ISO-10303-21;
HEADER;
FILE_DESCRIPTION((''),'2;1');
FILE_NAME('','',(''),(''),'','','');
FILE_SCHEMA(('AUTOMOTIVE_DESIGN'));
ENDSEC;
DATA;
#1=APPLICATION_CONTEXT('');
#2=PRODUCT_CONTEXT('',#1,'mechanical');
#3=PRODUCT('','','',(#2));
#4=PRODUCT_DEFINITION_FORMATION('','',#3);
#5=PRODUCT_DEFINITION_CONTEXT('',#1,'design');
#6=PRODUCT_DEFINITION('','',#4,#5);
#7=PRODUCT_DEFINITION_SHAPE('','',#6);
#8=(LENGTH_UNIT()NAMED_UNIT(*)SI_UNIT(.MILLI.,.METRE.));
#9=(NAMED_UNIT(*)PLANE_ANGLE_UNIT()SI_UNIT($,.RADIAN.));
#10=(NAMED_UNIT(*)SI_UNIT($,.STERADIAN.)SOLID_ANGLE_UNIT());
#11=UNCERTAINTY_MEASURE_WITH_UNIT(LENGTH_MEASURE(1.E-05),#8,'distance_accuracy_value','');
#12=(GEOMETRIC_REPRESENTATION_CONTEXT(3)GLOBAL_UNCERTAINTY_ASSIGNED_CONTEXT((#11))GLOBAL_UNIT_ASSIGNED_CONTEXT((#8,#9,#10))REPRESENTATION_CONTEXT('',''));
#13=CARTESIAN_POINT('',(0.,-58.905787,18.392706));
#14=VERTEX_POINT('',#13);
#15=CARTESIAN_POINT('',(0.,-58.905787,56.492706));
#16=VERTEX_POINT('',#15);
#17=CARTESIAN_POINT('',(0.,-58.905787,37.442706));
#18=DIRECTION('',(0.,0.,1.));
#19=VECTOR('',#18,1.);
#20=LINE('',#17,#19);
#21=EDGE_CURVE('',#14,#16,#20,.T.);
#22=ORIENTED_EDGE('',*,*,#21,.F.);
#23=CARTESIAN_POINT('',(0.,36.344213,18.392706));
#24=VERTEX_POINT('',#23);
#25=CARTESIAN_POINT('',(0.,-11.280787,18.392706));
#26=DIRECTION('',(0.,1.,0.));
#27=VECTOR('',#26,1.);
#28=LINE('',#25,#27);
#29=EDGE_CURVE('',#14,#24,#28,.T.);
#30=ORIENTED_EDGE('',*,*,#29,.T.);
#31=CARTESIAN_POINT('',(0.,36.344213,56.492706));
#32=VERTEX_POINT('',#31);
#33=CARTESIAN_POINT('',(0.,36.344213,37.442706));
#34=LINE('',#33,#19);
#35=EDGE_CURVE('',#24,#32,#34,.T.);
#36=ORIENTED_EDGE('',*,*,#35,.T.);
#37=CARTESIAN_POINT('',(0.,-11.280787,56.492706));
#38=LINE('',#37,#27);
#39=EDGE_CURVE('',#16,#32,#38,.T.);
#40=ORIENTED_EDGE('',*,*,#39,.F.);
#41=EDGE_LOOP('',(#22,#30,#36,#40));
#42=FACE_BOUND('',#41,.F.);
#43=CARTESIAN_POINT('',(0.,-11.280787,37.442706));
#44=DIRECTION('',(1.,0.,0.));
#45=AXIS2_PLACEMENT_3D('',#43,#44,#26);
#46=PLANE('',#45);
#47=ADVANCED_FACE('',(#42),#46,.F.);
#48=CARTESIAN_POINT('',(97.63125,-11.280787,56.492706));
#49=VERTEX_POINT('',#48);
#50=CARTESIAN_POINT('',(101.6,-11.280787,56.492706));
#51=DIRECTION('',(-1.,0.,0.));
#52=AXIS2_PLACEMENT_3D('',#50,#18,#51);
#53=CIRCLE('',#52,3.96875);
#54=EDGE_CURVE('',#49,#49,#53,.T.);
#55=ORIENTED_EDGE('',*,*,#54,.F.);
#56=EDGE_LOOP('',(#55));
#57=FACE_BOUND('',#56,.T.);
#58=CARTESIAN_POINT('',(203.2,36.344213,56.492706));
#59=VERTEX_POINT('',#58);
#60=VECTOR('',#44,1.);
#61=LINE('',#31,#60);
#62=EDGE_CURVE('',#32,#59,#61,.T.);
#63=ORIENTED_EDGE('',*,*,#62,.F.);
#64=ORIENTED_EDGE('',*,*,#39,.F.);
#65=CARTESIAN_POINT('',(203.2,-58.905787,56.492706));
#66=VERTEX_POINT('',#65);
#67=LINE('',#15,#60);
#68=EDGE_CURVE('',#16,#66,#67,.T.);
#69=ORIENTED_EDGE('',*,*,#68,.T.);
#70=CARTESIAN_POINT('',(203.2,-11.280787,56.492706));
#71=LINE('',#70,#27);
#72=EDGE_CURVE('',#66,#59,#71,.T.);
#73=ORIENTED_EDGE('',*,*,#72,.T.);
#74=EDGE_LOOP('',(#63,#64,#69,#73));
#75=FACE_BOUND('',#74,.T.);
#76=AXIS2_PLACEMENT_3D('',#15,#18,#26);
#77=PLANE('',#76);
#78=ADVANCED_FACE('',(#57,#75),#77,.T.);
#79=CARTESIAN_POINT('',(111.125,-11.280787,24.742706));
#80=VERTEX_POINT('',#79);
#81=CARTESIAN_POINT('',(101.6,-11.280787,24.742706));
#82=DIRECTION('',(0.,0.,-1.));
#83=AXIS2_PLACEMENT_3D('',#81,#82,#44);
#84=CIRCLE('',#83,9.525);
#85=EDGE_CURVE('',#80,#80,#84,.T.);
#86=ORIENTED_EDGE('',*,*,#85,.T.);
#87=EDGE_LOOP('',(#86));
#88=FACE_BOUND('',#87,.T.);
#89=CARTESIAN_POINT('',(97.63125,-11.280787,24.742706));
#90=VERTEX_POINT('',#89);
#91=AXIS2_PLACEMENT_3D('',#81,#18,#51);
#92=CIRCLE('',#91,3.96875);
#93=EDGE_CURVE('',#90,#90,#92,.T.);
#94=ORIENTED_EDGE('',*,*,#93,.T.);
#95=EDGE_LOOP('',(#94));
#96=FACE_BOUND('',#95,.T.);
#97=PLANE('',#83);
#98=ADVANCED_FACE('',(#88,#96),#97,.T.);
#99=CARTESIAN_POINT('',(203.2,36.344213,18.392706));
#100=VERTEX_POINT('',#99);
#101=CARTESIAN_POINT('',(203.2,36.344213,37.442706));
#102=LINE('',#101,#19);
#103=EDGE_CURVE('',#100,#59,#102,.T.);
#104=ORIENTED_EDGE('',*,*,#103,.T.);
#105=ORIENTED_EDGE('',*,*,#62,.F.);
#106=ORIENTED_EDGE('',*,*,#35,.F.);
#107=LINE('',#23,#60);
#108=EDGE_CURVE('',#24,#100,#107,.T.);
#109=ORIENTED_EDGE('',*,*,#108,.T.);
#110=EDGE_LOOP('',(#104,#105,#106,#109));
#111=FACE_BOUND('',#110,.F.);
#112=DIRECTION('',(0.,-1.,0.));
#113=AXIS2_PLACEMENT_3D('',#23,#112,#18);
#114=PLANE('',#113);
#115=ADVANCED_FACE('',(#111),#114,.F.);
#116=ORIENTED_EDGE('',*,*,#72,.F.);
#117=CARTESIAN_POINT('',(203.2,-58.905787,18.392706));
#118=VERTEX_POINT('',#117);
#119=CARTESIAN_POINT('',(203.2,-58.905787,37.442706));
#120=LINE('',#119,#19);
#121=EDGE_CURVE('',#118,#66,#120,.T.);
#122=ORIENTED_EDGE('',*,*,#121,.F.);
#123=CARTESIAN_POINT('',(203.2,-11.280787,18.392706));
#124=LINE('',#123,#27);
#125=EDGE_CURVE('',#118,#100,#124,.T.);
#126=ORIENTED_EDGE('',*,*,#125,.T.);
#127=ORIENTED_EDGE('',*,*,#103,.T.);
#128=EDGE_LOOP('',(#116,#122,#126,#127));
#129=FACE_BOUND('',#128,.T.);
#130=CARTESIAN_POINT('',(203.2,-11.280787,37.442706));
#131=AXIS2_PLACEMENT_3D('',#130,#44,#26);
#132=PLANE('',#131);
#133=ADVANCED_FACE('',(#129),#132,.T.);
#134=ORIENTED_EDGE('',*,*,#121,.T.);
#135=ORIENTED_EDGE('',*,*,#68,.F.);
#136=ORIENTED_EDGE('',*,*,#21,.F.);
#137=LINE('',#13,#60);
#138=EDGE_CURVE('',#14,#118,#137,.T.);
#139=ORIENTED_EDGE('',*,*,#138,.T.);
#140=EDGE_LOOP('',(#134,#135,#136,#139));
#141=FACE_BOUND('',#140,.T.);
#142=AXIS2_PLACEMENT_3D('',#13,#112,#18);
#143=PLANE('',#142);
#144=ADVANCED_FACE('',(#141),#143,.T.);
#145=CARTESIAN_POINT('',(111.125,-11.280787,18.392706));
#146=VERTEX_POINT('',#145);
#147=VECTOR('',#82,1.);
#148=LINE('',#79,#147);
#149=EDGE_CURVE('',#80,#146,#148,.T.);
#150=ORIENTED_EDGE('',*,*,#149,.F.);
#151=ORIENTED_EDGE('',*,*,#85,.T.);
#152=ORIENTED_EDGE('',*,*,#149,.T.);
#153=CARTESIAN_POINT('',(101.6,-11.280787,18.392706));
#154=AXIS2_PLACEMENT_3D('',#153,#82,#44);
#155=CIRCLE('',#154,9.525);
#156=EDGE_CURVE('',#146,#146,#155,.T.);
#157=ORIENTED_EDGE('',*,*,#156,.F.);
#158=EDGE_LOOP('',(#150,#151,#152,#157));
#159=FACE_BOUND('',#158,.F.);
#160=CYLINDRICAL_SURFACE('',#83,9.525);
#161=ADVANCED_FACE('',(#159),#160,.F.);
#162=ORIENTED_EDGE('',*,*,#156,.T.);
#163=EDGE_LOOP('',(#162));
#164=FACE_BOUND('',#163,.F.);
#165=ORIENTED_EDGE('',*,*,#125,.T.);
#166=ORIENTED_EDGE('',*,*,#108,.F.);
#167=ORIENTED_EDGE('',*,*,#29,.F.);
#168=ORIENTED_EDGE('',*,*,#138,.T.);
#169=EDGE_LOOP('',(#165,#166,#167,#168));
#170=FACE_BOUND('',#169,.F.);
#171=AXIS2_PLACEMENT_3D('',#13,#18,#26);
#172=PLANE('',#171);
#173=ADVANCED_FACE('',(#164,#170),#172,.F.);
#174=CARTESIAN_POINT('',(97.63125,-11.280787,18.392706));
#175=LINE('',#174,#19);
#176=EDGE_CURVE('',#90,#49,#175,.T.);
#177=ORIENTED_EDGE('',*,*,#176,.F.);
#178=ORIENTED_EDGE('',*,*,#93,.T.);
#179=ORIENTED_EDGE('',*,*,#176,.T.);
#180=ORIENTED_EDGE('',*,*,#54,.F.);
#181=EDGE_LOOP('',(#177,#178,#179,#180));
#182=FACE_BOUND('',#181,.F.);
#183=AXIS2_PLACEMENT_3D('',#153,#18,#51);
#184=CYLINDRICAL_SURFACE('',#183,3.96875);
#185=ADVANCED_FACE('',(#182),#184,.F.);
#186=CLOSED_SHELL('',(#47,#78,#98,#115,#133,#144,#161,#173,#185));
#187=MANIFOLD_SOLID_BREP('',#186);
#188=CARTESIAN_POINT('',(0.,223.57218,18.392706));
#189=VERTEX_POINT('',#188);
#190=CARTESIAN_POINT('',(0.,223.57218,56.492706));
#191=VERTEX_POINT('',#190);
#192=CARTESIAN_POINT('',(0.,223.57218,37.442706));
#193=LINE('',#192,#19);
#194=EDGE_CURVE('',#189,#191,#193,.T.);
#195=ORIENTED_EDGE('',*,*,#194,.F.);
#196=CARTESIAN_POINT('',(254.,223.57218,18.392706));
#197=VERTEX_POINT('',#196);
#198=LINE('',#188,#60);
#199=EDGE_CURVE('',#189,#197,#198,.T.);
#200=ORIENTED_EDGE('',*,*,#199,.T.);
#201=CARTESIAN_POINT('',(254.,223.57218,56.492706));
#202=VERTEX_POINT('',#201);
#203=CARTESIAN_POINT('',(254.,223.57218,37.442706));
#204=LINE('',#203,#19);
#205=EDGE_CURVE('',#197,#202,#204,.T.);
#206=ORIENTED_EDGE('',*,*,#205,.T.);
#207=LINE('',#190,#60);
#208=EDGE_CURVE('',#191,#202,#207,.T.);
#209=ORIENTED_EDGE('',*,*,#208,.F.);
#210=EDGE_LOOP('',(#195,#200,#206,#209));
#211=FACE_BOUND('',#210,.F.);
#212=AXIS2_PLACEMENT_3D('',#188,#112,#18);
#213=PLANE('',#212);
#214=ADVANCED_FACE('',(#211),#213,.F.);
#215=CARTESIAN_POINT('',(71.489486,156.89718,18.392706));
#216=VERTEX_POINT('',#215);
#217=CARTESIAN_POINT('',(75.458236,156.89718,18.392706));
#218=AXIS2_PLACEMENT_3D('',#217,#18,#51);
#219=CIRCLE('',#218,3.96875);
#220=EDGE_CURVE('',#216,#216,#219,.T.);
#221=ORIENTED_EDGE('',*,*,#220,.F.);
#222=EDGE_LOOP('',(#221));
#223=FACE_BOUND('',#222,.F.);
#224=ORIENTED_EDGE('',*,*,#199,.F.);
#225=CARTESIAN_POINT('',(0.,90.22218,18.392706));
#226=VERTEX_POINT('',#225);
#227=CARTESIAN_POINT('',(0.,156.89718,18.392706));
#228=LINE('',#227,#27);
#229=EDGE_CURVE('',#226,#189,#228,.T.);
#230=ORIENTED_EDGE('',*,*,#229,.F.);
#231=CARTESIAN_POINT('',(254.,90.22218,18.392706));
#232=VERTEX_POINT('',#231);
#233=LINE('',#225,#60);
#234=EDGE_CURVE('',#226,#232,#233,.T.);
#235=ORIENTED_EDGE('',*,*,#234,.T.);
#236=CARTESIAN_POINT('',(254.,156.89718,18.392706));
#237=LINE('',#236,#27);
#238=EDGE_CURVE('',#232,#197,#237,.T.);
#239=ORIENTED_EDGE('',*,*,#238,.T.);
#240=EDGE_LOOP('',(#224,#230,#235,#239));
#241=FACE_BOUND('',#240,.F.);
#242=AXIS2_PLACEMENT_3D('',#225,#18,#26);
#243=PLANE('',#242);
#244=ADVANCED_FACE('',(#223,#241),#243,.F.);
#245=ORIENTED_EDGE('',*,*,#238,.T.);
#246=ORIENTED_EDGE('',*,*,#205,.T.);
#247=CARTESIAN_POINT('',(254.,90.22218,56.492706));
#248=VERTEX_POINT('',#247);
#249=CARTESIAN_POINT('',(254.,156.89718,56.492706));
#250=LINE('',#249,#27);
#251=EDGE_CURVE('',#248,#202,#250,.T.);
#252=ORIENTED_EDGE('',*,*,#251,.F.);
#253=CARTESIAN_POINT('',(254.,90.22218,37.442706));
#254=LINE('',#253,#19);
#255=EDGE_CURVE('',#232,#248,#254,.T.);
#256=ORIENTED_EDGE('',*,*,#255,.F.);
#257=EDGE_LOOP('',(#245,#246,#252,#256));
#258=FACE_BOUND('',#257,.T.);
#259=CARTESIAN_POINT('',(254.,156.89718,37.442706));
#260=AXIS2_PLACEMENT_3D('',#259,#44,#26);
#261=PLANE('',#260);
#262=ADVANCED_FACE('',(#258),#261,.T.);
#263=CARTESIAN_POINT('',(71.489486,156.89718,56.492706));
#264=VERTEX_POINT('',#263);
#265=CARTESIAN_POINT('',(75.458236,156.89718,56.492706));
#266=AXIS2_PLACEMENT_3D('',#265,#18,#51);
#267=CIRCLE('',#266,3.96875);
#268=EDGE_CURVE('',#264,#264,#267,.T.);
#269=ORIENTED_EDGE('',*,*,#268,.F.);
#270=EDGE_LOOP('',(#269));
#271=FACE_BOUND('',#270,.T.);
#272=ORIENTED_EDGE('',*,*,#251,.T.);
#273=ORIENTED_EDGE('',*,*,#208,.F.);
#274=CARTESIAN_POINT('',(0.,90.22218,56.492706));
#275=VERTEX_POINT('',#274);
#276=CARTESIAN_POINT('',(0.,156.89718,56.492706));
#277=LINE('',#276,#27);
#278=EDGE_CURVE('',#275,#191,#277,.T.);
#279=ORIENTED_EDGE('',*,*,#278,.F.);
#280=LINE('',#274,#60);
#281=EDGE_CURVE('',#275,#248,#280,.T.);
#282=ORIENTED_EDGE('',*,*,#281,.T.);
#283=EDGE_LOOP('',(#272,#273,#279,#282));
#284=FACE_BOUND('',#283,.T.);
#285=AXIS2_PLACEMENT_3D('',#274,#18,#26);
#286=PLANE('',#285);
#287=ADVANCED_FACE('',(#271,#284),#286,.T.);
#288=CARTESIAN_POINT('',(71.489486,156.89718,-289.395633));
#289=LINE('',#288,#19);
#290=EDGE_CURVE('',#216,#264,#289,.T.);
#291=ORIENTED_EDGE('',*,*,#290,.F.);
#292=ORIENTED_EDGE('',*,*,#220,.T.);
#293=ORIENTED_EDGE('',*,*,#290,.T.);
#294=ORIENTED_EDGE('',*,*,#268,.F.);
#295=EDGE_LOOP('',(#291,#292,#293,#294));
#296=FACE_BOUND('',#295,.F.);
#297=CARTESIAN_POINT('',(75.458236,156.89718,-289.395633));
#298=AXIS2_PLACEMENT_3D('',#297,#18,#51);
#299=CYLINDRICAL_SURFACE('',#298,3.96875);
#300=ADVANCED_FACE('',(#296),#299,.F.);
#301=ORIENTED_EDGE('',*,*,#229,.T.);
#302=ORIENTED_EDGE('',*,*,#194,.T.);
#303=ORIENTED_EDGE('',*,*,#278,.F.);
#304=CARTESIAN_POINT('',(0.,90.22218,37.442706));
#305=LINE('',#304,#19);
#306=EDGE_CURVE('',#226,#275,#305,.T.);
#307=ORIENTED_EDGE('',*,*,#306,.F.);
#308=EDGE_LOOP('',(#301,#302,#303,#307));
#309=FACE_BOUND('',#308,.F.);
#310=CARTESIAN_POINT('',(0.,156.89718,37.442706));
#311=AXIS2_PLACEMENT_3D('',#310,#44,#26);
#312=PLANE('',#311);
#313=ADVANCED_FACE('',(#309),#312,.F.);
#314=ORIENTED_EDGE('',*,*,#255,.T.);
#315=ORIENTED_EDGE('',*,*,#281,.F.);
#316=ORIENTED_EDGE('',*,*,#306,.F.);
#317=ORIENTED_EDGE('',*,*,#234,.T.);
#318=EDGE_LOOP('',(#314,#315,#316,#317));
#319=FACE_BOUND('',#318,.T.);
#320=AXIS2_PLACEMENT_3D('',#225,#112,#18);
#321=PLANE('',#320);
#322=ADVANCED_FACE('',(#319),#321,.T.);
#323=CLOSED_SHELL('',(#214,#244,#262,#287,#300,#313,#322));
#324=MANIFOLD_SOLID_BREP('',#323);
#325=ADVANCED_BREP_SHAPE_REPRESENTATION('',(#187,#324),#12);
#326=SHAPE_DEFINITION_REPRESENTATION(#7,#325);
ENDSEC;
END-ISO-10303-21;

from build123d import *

# Parameters (mm, degrees)
F0_W           = 95.25
F0_H           = 38.1
F1_DEPTH       = 203.2
F0_W_2         = 133.35
F2_DEPTH       = 254
F4_D           = 7.9375
F4_START       = 18.3927056
F4_CBORE_D     = 19.05
F4_CBORE_DEPTH = 6.35
F5_D           = 7.9375


with BuildPart() as f1:
    # F0 (on Right) → F1 (new body)
    with BuildSketch(Plane.YZ):
        with Locations((-11.2807874495, 37.442705594)):
            Rectangle(F0_W, F0_H)
    extrude(amount=F1_DEPTH)

    # F4 (through all)
    # its depths count from where the whole tool has entered the part; down to there all is cleared
    with Locations(Plane(origin=(0, 0, 0), x_dir=(1, 0, 0), z_dir=(0, 0, -1)).offset(-F4_START)):
        with Locations((101.6, 11.2807874495)):
            CounterBoreHole(F4_D / 2, F4_CBORE_D / 2, F4_CBORE_DEPTH)


with BuildPart() as f2:
    # F0 (on Right) → F2 (new body)
    with BuildSketch(Plane.YZ):
        with Locations((156.8971798897, 37.442705594)):
            Rectangle(F0_W_2, F0_H)
    extrude(amount=F2_DEPTH)

    # F5 (through all)
    with Locations(Plane(origin=(0, 0, 0), x_dir=(1, 0, 0), z_dir=(0, 0, -1))):
        with Locations((75.4582360387, -156.8971798897)):
            Hole(F5_D / 2)


solid = Compound([f1.part, f2.part])
